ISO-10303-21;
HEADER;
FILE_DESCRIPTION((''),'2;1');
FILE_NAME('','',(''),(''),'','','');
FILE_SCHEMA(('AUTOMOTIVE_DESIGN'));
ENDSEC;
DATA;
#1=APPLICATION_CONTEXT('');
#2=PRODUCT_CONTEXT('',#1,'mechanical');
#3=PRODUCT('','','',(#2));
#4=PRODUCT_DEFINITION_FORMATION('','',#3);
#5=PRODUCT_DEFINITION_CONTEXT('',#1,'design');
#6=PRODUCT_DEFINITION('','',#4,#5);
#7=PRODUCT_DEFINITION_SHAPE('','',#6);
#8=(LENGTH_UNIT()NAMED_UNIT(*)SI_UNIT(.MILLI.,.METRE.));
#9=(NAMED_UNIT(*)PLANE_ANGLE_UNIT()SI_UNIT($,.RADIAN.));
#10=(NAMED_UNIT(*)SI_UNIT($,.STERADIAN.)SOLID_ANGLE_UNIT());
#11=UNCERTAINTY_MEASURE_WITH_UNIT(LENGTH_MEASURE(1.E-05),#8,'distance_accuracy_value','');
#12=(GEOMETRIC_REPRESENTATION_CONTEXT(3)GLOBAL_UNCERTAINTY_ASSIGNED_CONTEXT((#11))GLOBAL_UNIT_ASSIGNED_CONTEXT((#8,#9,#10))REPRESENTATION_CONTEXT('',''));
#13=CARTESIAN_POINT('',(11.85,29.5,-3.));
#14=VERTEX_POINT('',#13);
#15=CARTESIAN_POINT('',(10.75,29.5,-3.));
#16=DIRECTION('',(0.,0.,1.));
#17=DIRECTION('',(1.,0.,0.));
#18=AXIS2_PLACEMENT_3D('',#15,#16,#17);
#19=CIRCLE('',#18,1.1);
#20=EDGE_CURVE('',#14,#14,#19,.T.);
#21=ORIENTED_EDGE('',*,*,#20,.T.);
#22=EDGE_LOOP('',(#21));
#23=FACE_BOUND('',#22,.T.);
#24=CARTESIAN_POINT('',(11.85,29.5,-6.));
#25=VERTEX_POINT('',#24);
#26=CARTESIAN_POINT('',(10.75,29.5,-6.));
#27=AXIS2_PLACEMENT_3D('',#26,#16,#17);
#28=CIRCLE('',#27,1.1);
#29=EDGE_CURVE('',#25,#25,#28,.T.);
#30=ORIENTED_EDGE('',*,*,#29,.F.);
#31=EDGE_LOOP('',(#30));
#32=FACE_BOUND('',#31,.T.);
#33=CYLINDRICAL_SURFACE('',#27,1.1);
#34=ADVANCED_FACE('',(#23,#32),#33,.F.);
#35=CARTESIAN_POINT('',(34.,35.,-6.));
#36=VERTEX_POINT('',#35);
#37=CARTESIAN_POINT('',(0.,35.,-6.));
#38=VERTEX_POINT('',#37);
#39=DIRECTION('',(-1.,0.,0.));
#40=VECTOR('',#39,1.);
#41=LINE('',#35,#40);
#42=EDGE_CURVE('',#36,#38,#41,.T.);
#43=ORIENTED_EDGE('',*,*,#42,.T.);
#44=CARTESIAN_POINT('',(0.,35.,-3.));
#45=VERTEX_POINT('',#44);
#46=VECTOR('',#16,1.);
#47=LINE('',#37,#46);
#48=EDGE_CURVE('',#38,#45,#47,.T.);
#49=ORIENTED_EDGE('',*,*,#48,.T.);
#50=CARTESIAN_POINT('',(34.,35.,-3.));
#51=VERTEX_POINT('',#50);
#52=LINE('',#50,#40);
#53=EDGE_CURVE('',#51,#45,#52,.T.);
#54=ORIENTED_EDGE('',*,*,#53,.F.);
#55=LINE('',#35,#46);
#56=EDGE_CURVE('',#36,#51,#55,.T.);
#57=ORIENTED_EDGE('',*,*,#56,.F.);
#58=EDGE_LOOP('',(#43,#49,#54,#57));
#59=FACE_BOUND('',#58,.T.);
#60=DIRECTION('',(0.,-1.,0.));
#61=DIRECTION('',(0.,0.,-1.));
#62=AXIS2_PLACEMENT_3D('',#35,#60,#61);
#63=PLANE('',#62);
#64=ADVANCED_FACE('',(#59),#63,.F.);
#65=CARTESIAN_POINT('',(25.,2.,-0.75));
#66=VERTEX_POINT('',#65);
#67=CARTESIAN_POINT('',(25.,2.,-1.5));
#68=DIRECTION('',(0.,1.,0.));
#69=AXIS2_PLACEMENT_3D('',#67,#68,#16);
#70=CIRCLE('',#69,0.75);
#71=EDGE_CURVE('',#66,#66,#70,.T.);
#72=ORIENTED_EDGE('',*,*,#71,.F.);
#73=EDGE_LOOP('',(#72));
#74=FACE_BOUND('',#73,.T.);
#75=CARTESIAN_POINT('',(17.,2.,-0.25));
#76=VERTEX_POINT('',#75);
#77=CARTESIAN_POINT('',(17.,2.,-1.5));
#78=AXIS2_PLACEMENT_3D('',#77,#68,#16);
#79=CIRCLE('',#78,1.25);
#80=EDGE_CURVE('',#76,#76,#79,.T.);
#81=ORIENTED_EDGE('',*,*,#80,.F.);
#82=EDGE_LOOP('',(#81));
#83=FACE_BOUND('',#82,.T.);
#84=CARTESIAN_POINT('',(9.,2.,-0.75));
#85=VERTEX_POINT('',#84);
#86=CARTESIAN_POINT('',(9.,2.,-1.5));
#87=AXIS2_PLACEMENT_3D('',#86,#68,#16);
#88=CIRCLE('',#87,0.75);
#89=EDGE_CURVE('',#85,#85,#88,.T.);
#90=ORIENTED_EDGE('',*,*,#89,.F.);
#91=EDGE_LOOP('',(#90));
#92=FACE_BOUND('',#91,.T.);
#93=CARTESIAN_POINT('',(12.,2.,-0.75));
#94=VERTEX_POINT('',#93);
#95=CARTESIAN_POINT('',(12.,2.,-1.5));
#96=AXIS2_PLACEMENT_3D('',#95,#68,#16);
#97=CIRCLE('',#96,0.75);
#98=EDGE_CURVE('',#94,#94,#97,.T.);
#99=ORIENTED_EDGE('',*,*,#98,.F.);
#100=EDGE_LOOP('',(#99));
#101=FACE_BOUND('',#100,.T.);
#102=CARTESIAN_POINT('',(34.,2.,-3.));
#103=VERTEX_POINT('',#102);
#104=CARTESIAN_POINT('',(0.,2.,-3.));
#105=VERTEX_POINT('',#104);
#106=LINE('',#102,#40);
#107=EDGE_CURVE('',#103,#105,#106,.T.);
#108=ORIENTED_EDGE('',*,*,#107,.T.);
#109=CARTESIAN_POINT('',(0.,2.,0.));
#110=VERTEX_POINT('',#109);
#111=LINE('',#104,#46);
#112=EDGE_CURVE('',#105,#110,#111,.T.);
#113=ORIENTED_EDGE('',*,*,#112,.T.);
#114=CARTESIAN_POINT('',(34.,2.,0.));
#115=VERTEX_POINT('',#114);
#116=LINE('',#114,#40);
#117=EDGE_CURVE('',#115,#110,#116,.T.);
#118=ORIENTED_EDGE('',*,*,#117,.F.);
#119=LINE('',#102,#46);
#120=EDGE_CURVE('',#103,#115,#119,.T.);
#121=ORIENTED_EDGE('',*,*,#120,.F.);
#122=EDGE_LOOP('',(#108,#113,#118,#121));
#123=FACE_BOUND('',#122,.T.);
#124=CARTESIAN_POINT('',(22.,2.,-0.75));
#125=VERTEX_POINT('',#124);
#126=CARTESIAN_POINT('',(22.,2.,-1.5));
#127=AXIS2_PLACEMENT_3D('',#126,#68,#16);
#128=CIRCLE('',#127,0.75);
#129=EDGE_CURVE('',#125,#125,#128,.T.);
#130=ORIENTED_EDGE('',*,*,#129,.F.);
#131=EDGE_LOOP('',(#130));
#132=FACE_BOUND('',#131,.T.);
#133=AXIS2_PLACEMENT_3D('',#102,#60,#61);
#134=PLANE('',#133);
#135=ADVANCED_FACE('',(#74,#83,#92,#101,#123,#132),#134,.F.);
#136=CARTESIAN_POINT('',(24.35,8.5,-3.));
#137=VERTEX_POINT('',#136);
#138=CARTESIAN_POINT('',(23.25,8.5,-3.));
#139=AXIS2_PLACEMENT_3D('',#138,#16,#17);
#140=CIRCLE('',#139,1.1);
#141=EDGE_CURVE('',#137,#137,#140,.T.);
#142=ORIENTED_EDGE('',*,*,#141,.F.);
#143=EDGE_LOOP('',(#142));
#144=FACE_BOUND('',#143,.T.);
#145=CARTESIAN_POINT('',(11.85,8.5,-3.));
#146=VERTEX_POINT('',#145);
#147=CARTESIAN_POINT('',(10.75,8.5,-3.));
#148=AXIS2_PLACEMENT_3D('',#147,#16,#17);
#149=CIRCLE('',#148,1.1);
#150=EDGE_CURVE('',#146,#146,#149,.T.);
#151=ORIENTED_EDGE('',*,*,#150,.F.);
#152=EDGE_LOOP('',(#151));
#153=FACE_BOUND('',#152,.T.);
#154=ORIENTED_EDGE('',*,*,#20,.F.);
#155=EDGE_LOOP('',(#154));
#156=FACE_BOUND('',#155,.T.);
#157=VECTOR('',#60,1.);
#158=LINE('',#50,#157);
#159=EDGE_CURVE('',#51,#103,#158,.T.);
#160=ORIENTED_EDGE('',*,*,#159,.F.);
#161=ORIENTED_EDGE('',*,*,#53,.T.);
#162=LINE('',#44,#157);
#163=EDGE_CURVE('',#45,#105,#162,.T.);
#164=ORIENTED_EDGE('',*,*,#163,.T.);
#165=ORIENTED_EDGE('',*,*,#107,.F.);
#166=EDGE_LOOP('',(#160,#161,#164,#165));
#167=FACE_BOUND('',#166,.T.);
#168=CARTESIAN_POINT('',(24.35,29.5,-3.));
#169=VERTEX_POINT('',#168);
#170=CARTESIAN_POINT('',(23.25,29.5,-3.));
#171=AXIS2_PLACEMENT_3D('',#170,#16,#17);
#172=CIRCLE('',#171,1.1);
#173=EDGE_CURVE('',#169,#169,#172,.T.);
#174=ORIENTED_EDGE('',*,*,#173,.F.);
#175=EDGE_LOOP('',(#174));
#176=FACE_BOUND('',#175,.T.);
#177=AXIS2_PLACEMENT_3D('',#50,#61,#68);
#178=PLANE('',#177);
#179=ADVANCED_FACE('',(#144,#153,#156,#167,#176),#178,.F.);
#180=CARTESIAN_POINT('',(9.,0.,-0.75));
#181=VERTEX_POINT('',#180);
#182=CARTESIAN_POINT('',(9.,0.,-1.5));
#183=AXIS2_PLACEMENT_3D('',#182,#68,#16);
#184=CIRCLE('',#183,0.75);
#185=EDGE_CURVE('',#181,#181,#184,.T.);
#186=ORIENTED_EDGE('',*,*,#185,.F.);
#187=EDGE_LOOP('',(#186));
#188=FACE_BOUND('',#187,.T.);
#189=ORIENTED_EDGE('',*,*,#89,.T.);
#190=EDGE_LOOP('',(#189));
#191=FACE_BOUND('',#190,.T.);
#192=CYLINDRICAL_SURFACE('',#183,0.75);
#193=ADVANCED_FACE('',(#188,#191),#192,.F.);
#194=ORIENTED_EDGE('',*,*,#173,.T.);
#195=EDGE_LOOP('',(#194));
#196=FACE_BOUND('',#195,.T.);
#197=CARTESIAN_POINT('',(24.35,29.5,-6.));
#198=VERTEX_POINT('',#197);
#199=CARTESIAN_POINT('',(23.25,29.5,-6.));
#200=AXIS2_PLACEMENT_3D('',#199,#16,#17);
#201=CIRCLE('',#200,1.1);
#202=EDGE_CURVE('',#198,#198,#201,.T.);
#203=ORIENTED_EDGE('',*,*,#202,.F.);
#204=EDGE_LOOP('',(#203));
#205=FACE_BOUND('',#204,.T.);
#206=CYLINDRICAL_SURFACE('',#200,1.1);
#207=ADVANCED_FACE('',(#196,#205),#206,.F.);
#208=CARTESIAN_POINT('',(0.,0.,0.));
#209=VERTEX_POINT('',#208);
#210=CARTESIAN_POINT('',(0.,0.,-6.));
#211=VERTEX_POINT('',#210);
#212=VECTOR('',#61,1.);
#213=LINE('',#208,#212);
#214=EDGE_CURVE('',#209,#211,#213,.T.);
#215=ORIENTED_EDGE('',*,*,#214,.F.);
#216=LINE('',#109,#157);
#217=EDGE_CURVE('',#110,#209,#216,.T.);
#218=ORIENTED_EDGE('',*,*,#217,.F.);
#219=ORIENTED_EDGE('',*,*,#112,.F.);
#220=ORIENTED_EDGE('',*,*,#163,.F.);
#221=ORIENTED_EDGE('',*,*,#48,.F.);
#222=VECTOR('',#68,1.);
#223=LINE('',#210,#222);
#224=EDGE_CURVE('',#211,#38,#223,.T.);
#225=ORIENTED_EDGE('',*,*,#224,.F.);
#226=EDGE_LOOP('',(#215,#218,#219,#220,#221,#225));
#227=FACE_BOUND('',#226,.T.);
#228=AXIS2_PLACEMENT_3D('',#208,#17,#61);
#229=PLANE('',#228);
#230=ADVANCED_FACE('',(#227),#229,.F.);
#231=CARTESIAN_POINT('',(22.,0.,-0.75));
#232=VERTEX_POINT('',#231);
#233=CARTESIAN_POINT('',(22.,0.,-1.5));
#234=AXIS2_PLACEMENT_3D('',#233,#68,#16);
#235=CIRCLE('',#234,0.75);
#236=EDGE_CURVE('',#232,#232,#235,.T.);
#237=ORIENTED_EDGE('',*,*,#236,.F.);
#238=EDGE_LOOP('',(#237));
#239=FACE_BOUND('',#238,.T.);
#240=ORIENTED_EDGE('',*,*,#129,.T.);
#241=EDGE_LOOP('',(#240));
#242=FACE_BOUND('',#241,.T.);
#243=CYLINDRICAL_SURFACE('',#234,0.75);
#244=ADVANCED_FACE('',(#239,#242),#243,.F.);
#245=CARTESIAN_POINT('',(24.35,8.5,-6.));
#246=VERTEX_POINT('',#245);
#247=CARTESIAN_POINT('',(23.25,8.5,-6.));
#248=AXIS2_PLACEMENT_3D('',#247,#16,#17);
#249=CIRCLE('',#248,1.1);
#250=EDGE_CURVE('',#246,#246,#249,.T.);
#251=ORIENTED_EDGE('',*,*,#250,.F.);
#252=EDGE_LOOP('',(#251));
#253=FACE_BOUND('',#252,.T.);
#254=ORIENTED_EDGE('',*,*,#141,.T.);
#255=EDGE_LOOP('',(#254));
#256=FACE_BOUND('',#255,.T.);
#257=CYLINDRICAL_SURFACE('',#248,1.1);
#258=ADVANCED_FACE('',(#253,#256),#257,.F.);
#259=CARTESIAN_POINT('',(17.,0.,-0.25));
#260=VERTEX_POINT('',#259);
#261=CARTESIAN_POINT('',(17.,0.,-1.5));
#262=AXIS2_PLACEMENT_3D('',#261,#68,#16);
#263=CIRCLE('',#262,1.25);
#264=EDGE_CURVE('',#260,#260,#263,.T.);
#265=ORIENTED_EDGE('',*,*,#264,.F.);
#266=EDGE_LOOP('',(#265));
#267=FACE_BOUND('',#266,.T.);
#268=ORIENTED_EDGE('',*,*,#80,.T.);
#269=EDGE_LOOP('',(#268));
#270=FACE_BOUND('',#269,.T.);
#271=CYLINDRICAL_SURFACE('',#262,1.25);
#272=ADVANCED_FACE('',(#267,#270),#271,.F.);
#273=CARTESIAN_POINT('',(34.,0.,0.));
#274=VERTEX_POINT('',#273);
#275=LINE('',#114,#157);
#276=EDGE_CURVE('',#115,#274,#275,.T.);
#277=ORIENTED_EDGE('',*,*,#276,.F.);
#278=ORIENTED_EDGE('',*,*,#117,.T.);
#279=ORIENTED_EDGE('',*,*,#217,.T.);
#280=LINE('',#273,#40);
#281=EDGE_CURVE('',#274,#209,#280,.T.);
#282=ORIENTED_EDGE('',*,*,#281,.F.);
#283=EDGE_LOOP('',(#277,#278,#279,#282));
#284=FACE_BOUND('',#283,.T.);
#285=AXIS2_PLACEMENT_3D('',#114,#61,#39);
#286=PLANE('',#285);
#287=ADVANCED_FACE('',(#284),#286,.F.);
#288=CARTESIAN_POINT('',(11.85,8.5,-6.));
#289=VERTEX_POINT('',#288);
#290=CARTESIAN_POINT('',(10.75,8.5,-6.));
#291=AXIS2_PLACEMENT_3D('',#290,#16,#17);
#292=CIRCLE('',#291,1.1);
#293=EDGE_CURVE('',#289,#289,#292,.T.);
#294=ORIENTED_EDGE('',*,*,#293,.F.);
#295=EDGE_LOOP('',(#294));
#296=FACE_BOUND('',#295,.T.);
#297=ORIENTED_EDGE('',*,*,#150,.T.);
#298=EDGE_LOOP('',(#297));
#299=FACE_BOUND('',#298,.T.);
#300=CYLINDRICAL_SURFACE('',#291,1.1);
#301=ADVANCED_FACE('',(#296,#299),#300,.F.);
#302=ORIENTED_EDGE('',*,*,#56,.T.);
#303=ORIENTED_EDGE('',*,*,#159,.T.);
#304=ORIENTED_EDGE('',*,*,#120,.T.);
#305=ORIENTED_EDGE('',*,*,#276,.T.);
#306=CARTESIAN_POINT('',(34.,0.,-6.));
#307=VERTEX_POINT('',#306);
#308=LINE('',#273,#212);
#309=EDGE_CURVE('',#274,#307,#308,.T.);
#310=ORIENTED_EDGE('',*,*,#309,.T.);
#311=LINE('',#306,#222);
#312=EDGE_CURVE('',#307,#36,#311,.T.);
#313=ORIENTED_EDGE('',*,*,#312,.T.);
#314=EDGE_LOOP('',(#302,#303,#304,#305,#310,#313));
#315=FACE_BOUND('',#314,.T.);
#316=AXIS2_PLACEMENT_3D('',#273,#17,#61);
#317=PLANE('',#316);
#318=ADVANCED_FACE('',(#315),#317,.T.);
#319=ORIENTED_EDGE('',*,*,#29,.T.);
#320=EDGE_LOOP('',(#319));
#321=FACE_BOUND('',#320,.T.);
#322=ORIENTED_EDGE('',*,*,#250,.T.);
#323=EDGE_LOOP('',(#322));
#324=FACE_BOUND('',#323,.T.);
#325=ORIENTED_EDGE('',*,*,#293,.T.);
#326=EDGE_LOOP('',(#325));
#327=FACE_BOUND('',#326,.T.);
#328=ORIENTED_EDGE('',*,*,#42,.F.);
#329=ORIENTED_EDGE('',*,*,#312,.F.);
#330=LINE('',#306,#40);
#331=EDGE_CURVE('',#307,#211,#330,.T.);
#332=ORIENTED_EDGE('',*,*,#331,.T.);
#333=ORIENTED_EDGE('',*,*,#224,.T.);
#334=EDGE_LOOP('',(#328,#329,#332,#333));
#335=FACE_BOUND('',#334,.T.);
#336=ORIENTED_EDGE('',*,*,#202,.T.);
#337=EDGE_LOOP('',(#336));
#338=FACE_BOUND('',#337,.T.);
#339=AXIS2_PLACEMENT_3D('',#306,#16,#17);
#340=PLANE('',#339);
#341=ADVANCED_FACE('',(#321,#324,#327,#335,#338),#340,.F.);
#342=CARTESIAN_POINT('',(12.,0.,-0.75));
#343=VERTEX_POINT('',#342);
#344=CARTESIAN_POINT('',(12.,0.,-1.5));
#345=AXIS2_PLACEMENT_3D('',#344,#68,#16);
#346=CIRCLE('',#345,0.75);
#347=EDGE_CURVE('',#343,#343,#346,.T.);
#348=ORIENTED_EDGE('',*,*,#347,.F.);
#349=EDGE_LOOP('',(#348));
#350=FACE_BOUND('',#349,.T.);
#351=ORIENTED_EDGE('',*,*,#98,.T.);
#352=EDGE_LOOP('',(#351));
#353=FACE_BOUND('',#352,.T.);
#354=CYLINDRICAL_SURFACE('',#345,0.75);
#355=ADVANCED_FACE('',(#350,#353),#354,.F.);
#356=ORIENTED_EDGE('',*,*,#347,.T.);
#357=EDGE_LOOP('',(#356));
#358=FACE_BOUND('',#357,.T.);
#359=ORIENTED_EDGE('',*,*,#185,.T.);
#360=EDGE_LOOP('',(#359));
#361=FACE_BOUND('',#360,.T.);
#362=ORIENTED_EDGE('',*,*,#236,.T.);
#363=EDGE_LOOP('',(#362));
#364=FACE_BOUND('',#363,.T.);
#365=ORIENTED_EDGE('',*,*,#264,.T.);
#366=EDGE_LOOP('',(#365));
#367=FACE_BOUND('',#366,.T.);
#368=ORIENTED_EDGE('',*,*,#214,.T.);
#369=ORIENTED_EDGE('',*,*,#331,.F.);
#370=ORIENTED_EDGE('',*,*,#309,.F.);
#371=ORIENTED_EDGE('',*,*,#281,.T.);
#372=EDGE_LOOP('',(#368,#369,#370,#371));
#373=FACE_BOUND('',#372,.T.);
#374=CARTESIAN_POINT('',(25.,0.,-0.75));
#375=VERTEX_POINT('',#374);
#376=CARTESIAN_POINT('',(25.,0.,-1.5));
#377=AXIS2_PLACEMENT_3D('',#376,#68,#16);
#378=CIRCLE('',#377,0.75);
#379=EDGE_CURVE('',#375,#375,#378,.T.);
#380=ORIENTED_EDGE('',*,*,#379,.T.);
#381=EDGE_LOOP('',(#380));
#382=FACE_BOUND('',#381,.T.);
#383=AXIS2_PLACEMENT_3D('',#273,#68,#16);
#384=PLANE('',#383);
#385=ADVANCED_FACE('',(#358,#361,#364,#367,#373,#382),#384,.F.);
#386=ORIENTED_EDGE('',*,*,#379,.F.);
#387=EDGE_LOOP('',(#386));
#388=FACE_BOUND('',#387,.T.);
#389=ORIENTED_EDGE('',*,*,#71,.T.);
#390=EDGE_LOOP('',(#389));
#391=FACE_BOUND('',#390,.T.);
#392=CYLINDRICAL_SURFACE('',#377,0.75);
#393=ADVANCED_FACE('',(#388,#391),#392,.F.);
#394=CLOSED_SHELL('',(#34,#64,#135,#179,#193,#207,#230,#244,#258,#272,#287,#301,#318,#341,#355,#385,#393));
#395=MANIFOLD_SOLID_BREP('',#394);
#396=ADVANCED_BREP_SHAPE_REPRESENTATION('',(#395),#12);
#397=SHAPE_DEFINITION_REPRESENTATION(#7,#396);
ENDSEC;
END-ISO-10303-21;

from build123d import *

# Parameters (mm, degrees)
BOSS_EXTRUDE1_DEPTH = 34
SKETCH2_R           = 1.1
CUT_EXTRUDE1_DEPTH  = 4
SKETCH3_R           = 1.25
SKETCH3_R_2         = 0.75
CUT_EXTRUDE2_DEPTH  = 3


with BuildPart() as part:
    # Sketch1 → Boss-Extrude1 (new body)
    with BuildSketch(Plane(origin=(0, 0, 0), x_dir=(0, 0, -1), z_dir=(1, 0, 0))):
        Polygon((0, 0), (6, 0), (6, 35), (3, 35), (3, 2), (0, 2), align=None)
    extrude(amount=BOSS_EXTRUDE1_DEPTH)

    # Sketch2 → Cut-Extrude1 (cut, through all)
    with BuildSketch(Plane.XY.offset(-3)):
        with Locations((23.25, 29.5)):
            Circle(SKETCH2_R)
        with Locations((10.75, 29.5)):
            Circle(SKETCH2_R)
        with Locations((10.75, 8.5)):
            Circle(SKETCH2_R)
        with Locations((23.25, 8.5)):
            Circle(SKETCH2_R)
    extrude(amount=-CUT_EXTRUDE1_DEPTH, mode=Mode.SUBTRACT)

    # Sketch3 → Cut-Extrude2 (cut, through all)
    with BuildSketch(Plane(origin=(0, 2, 0), x_dir=(1, 0, 0), z_dir=(0, 1, 0))):
        with Locations((17, 1.5)):
            Circle(SKETCH3_R)
        with Locations((22, 1.5)):
            Circle(SKETCH3_R_2)
        with Locations((25, 1.5)):
            Circle(SKETCH3_R_2)
        with Locations((12, 1.5)):
            Circle(SKETCH3_R_2)
        with Locations((9, 1.5)):
            Circle(SKETCH3_R_2)
    extrude(amount=-CUT_EXTRUDE2_DEPTH, mode=Mode.SUBTRACT)


solid = part.part
